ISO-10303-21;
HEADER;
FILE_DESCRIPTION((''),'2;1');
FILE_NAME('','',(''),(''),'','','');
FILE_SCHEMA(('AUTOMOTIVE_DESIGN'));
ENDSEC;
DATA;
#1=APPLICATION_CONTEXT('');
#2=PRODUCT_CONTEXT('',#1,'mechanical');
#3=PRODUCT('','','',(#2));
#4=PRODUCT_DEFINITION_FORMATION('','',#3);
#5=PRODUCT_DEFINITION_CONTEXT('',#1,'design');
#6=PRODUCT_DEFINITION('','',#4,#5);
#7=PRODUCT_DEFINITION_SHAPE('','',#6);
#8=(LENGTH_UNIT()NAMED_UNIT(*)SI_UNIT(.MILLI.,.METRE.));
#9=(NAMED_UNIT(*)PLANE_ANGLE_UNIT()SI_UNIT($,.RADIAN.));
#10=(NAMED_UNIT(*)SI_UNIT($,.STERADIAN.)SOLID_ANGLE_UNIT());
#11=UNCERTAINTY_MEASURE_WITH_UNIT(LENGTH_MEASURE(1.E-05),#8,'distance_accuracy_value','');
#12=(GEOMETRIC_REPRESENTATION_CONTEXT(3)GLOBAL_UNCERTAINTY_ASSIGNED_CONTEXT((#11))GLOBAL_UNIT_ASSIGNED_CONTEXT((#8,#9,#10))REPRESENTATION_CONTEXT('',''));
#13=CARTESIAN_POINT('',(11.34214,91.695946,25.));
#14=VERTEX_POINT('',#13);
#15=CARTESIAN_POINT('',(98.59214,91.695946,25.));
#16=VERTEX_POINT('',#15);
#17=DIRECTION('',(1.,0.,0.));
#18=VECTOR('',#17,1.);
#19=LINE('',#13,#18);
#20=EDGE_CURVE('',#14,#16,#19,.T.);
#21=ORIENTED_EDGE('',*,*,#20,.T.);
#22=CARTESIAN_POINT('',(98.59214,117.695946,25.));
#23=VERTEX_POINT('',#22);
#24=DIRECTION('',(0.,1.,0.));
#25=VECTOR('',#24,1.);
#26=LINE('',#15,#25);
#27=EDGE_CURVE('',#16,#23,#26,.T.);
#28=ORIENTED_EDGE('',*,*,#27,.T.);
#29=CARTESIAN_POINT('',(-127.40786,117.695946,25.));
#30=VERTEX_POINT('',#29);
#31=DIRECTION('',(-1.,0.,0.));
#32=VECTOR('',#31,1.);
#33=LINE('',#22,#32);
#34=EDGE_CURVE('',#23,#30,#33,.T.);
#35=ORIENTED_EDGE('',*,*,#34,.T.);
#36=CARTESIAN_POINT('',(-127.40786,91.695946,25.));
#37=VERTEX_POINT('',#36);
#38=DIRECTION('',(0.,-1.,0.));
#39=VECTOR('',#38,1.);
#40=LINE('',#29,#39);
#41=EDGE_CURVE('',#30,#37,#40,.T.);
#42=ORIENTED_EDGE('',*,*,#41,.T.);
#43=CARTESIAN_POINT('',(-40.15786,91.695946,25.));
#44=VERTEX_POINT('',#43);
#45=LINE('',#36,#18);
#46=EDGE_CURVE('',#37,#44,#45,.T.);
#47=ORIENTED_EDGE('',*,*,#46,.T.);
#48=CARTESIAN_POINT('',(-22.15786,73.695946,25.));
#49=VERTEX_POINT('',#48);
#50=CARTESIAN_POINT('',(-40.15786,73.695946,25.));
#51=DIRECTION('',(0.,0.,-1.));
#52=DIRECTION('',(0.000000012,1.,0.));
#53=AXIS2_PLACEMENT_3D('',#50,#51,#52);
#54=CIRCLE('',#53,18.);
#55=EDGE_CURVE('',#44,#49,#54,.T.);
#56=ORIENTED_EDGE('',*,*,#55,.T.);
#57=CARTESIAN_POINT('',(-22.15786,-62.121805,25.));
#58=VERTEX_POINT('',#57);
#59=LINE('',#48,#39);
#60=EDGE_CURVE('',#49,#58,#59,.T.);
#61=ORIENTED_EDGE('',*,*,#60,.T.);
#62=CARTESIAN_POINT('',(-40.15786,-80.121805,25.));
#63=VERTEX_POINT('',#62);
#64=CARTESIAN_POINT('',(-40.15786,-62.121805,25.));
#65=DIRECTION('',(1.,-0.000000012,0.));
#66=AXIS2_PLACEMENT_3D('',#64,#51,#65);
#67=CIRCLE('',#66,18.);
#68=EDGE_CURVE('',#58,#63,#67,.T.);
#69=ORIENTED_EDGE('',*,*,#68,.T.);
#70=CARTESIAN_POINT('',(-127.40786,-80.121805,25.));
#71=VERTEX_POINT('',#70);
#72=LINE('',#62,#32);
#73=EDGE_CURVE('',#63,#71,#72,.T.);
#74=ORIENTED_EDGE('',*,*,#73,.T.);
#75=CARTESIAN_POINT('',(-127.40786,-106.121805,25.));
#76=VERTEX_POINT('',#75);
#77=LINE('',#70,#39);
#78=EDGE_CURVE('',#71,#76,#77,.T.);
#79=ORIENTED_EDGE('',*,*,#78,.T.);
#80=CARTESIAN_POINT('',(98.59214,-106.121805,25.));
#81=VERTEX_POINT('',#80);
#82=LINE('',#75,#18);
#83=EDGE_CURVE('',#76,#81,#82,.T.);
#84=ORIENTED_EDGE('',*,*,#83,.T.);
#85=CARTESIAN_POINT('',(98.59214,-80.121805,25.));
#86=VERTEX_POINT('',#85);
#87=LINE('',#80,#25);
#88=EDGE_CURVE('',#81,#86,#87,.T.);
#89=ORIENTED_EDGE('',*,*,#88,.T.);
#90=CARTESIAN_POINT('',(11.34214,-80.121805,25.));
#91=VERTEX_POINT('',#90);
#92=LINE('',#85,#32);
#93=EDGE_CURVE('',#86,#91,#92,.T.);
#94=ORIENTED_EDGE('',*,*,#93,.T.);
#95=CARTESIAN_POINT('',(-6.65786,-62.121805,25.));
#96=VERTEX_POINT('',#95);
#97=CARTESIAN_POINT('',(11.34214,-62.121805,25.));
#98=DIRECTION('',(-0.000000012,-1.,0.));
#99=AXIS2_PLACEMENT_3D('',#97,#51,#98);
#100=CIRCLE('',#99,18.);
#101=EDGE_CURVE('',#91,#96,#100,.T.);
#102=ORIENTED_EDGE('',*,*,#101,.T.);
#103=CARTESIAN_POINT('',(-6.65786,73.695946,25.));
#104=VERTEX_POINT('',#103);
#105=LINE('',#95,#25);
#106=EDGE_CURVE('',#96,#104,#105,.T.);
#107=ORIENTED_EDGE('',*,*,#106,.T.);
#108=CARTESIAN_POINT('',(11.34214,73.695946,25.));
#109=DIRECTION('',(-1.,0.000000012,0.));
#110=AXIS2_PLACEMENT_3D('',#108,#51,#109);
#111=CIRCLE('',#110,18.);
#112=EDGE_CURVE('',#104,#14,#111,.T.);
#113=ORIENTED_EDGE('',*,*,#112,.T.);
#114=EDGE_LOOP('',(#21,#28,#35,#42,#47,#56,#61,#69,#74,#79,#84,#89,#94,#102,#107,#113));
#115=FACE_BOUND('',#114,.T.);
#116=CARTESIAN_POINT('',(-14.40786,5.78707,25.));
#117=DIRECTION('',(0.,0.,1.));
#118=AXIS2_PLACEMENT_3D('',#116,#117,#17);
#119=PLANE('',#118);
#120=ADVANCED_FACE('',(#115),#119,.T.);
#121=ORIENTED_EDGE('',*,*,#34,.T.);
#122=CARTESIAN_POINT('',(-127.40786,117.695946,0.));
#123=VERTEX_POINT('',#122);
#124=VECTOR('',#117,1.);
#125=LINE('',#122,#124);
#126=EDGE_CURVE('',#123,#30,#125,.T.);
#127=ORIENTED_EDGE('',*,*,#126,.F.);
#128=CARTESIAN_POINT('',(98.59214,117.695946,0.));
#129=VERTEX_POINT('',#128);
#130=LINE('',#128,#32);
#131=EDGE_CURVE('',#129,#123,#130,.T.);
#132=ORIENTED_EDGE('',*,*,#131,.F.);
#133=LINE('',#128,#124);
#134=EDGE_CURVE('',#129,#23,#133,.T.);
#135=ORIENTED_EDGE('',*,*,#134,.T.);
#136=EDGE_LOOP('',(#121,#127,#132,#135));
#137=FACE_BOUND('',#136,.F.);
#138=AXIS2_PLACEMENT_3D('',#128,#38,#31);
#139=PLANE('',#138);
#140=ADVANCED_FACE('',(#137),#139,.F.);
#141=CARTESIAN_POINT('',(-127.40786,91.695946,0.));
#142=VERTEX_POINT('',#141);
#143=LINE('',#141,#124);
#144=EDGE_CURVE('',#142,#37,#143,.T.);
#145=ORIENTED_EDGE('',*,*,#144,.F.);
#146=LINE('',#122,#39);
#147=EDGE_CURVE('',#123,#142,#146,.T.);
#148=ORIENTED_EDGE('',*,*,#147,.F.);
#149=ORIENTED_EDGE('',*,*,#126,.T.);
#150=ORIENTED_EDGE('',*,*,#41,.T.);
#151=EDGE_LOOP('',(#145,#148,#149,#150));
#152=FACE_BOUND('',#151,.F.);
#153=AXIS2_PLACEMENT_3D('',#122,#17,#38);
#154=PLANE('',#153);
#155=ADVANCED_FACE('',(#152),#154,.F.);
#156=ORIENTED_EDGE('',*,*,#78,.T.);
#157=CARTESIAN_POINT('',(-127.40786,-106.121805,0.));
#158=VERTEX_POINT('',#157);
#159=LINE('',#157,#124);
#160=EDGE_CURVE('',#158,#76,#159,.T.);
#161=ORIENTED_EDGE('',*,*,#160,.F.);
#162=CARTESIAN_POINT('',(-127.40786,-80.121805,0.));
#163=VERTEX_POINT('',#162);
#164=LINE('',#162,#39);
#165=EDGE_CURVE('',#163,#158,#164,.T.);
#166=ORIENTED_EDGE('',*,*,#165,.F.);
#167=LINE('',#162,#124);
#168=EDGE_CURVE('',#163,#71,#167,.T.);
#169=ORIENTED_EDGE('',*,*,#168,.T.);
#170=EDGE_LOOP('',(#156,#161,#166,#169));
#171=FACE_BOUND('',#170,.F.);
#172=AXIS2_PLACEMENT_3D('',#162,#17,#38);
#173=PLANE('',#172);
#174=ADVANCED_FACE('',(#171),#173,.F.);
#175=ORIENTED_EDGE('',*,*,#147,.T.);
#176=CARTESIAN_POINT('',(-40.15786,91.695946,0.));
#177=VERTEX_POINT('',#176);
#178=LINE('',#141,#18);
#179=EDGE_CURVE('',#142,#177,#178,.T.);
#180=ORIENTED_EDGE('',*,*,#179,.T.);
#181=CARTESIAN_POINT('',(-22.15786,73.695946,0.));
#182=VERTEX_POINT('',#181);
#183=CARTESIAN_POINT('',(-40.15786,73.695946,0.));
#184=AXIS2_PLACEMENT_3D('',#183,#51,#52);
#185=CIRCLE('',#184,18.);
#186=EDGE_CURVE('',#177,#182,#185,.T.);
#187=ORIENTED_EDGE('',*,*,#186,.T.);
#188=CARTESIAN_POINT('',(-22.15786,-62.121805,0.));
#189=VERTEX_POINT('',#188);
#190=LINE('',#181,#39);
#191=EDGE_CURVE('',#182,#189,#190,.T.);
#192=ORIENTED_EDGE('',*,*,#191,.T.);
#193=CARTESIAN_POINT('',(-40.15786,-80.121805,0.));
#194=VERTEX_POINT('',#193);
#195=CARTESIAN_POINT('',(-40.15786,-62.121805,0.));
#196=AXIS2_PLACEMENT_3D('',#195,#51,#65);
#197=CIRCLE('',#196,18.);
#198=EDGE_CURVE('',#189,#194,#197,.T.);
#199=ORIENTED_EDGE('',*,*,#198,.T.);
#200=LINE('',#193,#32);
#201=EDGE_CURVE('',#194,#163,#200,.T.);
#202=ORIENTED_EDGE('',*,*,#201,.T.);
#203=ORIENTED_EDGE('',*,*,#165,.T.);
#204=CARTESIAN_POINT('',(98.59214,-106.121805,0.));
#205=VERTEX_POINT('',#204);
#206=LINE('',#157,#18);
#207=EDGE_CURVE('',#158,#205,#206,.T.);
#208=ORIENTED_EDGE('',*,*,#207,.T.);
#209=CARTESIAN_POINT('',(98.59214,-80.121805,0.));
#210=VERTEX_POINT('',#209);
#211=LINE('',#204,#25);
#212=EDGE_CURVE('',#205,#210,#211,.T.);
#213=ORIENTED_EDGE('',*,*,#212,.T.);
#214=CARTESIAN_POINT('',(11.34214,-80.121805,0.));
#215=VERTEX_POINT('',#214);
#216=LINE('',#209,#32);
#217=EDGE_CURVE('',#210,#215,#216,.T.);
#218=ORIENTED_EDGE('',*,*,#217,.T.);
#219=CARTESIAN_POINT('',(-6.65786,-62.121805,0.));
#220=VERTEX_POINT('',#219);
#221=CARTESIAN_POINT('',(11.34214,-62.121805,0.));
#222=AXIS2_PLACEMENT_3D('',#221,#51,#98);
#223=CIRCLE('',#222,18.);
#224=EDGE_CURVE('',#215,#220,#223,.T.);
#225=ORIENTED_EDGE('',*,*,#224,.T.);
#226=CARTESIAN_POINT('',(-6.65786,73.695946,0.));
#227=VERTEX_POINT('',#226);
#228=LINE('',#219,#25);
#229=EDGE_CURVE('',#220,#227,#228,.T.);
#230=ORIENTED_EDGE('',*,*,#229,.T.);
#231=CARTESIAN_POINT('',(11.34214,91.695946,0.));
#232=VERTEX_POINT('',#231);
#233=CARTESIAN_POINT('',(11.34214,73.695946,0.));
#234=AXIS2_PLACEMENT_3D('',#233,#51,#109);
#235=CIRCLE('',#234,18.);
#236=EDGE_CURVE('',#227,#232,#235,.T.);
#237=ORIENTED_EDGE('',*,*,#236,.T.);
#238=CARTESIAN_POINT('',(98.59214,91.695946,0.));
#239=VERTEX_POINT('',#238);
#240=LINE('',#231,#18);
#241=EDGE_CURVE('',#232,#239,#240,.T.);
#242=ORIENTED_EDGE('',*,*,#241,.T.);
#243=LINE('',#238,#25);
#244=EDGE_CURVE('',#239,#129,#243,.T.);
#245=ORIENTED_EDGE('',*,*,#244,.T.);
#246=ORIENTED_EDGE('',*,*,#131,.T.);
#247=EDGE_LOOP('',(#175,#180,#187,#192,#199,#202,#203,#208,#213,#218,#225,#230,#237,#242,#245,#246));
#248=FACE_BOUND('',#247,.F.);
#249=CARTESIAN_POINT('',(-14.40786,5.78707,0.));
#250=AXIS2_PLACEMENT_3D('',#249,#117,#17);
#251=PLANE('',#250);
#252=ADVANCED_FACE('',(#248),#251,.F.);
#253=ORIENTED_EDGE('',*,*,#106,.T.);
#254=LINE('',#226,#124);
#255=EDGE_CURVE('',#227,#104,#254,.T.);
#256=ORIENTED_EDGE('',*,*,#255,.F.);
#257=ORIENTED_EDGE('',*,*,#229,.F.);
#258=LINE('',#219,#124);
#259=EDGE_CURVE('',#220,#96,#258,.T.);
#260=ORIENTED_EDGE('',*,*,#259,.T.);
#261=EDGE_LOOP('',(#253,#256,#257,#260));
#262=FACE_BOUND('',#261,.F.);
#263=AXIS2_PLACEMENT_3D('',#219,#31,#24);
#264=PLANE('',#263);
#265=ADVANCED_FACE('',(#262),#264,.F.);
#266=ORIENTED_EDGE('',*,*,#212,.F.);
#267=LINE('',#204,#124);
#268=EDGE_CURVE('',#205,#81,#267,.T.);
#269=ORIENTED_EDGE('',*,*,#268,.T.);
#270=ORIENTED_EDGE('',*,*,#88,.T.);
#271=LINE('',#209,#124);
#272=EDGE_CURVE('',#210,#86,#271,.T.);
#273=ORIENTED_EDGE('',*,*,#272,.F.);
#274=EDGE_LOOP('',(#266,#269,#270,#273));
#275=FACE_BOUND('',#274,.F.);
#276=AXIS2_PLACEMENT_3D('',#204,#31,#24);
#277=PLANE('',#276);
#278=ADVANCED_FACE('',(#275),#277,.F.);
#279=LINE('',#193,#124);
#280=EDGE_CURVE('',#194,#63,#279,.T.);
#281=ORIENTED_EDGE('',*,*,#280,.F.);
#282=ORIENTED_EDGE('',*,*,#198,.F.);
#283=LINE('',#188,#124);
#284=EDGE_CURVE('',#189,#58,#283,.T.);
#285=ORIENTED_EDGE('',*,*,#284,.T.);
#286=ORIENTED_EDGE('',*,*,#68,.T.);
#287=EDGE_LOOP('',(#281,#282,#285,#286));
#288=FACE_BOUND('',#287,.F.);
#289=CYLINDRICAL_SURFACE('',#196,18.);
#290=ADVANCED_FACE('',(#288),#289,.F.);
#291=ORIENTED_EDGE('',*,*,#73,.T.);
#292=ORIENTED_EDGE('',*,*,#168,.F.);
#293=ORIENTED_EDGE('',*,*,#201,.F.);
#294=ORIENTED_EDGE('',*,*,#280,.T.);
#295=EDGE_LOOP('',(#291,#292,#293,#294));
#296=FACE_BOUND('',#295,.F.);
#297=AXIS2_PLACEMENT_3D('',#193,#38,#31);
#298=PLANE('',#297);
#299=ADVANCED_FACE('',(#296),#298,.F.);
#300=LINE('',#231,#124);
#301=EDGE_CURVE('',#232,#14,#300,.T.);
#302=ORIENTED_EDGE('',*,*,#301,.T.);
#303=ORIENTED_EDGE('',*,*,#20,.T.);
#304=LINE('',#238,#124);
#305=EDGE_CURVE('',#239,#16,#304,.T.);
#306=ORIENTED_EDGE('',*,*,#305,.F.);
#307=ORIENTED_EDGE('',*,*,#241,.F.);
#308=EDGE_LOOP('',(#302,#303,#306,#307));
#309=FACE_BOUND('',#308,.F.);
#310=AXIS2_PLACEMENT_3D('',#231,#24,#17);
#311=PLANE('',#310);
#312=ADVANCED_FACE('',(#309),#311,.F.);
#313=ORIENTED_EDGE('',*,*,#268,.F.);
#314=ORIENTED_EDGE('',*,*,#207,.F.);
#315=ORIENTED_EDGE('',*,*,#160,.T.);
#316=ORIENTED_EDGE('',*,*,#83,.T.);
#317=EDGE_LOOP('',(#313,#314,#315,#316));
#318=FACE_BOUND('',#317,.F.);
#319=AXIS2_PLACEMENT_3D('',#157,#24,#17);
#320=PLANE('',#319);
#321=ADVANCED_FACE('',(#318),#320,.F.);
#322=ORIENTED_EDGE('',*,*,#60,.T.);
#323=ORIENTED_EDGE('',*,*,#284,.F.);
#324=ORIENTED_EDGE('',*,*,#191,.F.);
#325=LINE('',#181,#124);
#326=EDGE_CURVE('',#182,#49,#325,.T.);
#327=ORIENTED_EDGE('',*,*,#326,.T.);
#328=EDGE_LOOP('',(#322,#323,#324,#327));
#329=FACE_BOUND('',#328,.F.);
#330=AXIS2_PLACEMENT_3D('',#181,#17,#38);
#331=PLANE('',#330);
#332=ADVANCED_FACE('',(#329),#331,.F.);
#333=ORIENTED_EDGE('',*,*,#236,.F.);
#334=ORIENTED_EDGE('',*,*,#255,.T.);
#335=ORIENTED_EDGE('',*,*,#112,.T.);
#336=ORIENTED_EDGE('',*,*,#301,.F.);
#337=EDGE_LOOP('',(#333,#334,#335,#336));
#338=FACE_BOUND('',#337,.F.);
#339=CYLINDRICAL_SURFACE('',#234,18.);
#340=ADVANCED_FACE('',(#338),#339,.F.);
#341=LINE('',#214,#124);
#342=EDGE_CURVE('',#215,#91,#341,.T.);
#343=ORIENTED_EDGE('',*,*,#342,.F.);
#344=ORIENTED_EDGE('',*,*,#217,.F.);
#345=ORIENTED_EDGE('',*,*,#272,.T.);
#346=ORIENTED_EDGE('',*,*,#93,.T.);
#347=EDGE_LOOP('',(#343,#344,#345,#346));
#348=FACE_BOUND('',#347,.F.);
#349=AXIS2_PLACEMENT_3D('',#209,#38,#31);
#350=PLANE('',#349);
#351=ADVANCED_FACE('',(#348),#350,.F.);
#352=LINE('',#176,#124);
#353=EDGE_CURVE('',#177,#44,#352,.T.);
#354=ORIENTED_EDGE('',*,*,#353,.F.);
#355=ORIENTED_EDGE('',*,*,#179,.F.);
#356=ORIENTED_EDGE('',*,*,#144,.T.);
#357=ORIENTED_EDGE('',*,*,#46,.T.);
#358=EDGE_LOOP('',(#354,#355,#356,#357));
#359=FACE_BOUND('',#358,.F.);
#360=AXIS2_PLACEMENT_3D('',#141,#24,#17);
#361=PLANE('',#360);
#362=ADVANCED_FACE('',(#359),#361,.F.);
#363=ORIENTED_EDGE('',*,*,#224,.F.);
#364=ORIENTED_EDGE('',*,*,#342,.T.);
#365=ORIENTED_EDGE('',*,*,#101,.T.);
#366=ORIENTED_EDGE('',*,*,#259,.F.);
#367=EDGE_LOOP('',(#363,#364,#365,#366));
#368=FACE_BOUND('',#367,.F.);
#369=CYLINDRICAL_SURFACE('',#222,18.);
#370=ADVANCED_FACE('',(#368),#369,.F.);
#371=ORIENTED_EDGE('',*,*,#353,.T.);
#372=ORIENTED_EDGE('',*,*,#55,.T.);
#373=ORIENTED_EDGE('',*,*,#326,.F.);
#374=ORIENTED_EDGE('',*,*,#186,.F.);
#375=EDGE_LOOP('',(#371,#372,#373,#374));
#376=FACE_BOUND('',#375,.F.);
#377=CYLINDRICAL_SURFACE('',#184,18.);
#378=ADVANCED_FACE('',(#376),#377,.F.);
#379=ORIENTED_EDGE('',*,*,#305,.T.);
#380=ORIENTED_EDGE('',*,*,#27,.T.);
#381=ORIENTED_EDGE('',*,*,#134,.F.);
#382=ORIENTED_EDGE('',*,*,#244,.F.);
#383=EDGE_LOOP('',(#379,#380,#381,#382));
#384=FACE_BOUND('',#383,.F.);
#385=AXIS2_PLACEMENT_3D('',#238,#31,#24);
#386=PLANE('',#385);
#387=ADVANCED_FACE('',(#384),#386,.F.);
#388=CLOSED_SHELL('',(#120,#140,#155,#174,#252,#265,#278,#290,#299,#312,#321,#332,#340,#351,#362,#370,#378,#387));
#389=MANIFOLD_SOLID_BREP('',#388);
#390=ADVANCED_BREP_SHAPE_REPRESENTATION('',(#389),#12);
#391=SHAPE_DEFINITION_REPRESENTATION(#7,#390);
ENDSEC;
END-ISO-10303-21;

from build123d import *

# Parameters (mm, degrees)
F1_DEPTH = 25


with BuildPart() as f1:
    # F0 (on Top) → F1 (new body)
    with BuildSketch(Plane.XY):
        with BuildLine():
            Line((98.59214, 117.695946), (-127.40786, 117.695946))
            Line((-127.40786, 117.695946), (-127.40786, 91.695946))
            Line((-127.40786, 91.695946), (-40.15786, 91.695946))
            ThreePointArc((-40.15786, 91.695946), (-27.429938, 86.423868), (-22.15786, 73.695946))
            Line((-22.15786, 73.695946), (-22.15786, -62.121805))
            ThreePointArc((-22.15786, -62.121805), (-27.429938, -74.849727), (-40.15786, -80.121805))
            Line((-40.15786, -80.121805), (-127.40786, -80.121805))
            Line((-127.40786, -80.121805), (-127.40786, -106.121805))
            Line((-127.40786, -106.121805), (98.59214, -106.121805))
            Line((98.59214, -106.121805), (98.59214, -80.121805))
            Line((98.59214, -80.121805), (11.34214, -80.121805))
            ThreePointArc((11.34214, -80.121805), (-1.385782, -74.849727), (-6.65786, -62.121805))
            Line((-6.65786, -62.121805), (-6.65786, 73.695946))
            ThreePointArc((-6.65786, 73.695946), (-1.385782, 86.423868), (11.34214, 91.695946))
            Line((11.34214, 91.695946), (98.59214, 91.695946))
            Line((98.59214, 91.695946), (98.59214, 117.695946))
        make_face()
    extrude(amount=F1_DEPTH)


solid = f1.part
